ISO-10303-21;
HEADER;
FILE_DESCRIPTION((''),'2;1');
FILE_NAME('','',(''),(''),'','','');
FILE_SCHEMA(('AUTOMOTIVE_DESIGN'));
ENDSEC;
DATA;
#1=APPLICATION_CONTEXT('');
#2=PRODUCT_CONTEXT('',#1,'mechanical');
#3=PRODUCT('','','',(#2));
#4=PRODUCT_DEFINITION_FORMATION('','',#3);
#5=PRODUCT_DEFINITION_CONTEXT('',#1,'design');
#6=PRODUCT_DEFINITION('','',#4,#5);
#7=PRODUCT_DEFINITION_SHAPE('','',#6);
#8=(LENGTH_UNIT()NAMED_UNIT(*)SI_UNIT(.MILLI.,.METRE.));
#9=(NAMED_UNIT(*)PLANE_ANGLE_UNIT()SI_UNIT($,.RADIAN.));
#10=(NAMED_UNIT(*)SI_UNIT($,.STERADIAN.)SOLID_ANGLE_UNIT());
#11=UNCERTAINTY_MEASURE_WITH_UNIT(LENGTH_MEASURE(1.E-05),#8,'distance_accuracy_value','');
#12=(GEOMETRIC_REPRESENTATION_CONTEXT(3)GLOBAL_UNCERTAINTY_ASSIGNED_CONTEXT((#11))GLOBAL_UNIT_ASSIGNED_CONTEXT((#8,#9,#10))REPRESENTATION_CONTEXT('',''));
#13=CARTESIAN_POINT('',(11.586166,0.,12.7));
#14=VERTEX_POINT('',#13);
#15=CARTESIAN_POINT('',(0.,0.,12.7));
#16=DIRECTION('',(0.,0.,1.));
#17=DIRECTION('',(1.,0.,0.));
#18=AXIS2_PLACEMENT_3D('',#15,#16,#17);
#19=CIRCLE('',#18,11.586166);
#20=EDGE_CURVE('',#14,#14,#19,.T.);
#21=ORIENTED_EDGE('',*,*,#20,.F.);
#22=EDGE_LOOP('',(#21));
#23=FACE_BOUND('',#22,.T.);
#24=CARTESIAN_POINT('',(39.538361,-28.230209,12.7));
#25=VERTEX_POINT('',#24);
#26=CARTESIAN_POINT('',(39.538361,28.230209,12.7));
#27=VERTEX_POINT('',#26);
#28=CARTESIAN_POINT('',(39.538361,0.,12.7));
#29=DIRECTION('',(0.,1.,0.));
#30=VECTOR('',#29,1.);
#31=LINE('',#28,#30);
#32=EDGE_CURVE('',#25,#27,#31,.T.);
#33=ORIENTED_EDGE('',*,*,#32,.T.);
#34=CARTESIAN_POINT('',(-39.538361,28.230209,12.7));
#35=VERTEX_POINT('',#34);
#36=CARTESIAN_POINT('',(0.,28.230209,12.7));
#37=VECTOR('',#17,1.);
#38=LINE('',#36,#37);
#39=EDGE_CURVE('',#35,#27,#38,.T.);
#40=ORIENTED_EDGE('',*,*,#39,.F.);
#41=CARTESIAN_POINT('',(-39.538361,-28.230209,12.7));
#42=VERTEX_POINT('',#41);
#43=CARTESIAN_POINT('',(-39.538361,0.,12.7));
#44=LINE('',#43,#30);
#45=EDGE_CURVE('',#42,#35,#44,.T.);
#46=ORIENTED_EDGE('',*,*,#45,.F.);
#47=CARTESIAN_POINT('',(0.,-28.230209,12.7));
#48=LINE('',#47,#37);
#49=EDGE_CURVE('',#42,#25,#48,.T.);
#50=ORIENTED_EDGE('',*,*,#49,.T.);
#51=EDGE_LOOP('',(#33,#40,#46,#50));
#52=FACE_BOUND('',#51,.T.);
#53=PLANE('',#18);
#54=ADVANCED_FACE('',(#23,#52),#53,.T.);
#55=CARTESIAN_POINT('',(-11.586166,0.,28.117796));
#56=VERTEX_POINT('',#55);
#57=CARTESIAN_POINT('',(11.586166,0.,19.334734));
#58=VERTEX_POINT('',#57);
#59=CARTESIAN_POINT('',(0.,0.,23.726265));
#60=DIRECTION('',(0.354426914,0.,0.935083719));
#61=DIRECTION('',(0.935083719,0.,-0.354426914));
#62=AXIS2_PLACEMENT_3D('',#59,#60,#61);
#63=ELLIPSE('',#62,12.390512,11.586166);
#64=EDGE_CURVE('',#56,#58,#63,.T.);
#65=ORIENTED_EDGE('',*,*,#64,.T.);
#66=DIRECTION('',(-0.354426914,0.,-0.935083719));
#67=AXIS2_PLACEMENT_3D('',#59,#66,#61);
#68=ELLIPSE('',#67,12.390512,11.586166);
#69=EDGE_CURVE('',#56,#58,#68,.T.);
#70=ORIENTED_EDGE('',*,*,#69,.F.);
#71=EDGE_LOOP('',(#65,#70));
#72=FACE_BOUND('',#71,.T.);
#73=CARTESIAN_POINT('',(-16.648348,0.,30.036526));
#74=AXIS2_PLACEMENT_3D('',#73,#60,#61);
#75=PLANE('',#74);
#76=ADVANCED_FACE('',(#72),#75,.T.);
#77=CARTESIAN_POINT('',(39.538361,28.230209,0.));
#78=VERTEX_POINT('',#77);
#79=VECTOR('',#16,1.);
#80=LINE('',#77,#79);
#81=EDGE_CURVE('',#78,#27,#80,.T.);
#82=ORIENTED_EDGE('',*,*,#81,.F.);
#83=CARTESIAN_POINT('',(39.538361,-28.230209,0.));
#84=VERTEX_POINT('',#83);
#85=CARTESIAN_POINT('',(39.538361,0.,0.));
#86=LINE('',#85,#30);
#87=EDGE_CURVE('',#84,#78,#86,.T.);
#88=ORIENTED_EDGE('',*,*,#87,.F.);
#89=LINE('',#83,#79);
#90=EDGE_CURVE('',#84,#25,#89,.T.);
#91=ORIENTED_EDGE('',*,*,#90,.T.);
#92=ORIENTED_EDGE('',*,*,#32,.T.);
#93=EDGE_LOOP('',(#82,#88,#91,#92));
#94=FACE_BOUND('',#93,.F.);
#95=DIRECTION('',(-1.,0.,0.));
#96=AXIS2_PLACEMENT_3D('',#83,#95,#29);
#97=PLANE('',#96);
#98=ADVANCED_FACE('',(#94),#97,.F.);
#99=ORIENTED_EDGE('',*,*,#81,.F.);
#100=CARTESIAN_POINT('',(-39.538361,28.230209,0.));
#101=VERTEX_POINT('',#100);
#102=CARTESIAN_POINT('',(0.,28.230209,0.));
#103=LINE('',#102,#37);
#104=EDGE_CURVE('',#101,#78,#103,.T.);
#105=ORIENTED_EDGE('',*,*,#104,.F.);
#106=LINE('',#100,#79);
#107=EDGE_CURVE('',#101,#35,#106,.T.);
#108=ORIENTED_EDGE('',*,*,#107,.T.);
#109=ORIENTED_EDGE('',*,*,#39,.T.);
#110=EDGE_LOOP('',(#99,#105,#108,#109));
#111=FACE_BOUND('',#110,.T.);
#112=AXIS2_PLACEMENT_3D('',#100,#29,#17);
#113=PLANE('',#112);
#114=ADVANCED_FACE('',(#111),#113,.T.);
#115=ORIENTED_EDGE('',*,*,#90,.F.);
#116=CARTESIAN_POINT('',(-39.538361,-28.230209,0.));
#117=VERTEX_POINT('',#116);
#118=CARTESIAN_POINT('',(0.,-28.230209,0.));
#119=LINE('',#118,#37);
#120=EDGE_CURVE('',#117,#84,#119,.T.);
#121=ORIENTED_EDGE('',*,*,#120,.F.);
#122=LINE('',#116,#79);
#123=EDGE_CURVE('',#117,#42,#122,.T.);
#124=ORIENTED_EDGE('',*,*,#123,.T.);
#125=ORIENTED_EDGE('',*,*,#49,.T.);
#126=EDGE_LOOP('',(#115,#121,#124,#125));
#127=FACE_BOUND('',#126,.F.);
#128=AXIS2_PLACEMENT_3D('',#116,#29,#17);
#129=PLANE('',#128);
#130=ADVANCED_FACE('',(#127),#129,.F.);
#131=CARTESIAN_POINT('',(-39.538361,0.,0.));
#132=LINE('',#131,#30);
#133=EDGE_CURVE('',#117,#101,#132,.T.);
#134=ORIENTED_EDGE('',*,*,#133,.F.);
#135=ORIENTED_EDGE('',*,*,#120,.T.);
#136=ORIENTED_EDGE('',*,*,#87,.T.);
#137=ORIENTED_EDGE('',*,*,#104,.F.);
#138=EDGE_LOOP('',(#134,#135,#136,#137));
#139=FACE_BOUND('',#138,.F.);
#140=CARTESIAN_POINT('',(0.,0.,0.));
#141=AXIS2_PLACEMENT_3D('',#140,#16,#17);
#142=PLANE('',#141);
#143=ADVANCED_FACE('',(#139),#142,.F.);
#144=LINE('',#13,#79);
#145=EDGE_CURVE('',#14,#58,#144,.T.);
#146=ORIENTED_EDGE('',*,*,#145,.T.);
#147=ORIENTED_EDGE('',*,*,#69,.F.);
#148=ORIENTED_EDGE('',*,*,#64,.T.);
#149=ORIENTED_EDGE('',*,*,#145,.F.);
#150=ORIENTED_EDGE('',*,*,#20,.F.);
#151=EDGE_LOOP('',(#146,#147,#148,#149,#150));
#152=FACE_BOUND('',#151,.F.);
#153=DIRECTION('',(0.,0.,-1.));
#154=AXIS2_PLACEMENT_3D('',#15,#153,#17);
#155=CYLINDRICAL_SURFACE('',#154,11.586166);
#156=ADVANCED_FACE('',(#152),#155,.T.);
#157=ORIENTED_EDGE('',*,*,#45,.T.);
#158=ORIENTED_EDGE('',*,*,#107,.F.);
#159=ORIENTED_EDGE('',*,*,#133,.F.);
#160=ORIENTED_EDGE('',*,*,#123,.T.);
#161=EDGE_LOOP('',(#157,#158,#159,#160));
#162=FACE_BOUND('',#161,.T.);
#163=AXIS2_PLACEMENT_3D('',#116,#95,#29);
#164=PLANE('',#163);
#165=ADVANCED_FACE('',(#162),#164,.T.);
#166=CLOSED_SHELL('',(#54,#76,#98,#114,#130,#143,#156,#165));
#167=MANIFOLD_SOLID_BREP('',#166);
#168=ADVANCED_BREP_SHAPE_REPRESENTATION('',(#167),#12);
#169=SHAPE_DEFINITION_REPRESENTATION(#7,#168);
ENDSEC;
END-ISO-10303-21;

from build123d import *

# Parameters (mm, degrees)
F0_W     = 79.076722
F0_H     = 56.460418
F1_DEPTH = 12.7
F2_R     = 11.586166
F3_DEPTH = 23.368
F5_DEPTH = 20.828
F6_DEPTH = 37.338


with BuildPart() as f1:
    # F0 (on Top) → F1 (new body)
    with BuildSketch(Plane.XY):
        Rectangle(F0_W, F0_H)
    extrude(amount=F1_DEPTH)

    # F2 (on face) → F3 (join)
    with BuildSketch(Plane.XY.offset(12.7)):
        Circle(F2_R)
    extrude(amount=F3_DEPTH)

    # F4 (on Front) → F5 (cut)
    with BuildSketch(Plane.XZ):
        Polygon((-16.648348, 45.342267), (-16.648348, 30.036526), (12.731089, 18.900771), (12.731089, 45.342267), align=None)
    extrude(amount=-F5_DEPTH, mode=Mode.SUBTRACT)

    # F4 (on Front) → F6 (cut)
    with BuildSketch(Plane.XZ):
        Polygon((-16.648348, 45.342267), (-16.648348, 30.036526), (12.731089, 18.900771), (12.731089, 45.342267), align=None)
    extrude(amount=F6_DEPTH, mode=Mode.SUBTRACT)


solid = f1.part
